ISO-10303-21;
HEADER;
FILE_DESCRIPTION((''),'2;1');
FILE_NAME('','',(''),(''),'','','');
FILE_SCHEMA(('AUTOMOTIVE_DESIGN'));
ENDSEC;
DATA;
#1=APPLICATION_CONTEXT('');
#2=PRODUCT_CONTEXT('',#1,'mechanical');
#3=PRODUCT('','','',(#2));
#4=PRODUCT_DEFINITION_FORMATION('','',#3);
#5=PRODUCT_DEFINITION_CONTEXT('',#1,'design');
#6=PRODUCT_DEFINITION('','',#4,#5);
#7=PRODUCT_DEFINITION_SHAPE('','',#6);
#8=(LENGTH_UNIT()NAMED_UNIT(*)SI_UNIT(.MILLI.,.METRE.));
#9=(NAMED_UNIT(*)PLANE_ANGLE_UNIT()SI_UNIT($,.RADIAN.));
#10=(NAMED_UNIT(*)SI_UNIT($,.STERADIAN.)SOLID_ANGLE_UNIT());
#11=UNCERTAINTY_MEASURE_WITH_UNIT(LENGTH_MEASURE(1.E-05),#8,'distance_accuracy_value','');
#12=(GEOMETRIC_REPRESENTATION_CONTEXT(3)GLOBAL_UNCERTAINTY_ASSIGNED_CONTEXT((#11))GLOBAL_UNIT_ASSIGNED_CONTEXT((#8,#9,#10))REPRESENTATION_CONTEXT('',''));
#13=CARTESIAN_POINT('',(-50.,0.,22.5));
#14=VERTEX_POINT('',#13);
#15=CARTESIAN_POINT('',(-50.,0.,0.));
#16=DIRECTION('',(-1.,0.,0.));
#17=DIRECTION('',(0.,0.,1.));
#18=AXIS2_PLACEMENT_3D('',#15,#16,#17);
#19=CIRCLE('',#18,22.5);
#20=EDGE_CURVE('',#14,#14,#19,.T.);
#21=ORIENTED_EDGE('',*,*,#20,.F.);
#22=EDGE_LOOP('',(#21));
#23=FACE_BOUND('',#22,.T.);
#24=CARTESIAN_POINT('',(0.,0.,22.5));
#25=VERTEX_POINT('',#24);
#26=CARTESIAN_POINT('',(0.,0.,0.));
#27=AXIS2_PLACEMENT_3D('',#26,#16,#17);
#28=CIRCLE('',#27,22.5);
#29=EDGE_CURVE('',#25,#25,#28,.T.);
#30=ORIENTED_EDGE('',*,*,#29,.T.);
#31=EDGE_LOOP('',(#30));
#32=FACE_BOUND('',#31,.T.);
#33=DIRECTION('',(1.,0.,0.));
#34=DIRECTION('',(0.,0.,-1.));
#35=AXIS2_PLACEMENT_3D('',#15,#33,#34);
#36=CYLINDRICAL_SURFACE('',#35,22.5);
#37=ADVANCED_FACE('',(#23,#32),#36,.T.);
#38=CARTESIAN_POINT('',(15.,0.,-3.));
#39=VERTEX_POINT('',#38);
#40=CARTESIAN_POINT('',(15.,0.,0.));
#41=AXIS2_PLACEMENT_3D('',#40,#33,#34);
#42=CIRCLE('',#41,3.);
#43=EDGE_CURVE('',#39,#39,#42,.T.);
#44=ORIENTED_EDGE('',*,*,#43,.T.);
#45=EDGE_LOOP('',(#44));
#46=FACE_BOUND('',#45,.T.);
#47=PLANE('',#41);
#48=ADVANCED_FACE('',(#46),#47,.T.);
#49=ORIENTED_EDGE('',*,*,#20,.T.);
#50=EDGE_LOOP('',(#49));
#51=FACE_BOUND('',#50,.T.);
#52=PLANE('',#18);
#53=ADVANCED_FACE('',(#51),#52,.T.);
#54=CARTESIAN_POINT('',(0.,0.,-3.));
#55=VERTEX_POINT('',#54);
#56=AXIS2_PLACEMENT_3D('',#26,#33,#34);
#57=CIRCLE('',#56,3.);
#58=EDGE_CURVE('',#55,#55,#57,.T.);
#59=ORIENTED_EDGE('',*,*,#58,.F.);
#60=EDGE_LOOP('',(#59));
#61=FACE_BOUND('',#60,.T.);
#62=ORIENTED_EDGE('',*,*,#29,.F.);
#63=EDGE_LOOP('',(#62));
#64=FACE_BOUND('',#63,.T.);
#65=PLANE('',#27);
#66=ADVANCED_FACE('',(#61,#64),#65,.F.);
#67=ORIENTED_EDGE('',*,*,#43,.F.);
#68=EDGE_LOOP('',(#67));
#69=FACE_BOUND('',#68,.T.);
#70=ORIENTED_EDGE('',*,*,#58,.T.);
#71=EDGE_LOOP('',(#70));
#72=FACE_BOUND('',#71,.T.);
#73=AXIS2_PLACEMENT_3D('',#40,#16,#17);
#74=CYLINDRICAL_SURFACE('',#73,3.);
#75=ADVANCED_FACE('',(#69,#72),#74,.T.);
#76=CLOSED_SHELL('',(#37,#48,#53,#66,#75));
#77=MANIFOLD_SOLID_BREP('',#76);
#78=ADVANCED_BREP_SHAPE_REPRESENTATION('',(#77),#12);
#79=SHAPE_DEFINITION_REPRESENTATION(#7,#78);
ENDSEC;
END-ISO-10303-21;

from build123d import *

# Parameters (mm, degrees)
SKETCH_1_R      = 3
EXTRUDE_1_DEPTH = 15
SKETCH_2_R      = 22.5
EXTRUDE_2_DEPTH = 50


with BuildPart() as part:
    # 草图1 → 凸台-拉伸1 (new body)
    with BuildSketch(Plane(origin=(0, 0, 0), x_dir=(0, 0, -1), z_dir=(1, 0, 0))):
        Circle(SKETCH_1_R)
    extrude(amount=EXTRUDE_1_DEPTH)

    # 草图2 → 凸台-拉伸2 (add)
    with BuildSketch(Plane.ZY):
        Circle(SKETCH_2_R)
    extrude(amount=EXTRUDE_2_DEPTH)


solid = part.part
